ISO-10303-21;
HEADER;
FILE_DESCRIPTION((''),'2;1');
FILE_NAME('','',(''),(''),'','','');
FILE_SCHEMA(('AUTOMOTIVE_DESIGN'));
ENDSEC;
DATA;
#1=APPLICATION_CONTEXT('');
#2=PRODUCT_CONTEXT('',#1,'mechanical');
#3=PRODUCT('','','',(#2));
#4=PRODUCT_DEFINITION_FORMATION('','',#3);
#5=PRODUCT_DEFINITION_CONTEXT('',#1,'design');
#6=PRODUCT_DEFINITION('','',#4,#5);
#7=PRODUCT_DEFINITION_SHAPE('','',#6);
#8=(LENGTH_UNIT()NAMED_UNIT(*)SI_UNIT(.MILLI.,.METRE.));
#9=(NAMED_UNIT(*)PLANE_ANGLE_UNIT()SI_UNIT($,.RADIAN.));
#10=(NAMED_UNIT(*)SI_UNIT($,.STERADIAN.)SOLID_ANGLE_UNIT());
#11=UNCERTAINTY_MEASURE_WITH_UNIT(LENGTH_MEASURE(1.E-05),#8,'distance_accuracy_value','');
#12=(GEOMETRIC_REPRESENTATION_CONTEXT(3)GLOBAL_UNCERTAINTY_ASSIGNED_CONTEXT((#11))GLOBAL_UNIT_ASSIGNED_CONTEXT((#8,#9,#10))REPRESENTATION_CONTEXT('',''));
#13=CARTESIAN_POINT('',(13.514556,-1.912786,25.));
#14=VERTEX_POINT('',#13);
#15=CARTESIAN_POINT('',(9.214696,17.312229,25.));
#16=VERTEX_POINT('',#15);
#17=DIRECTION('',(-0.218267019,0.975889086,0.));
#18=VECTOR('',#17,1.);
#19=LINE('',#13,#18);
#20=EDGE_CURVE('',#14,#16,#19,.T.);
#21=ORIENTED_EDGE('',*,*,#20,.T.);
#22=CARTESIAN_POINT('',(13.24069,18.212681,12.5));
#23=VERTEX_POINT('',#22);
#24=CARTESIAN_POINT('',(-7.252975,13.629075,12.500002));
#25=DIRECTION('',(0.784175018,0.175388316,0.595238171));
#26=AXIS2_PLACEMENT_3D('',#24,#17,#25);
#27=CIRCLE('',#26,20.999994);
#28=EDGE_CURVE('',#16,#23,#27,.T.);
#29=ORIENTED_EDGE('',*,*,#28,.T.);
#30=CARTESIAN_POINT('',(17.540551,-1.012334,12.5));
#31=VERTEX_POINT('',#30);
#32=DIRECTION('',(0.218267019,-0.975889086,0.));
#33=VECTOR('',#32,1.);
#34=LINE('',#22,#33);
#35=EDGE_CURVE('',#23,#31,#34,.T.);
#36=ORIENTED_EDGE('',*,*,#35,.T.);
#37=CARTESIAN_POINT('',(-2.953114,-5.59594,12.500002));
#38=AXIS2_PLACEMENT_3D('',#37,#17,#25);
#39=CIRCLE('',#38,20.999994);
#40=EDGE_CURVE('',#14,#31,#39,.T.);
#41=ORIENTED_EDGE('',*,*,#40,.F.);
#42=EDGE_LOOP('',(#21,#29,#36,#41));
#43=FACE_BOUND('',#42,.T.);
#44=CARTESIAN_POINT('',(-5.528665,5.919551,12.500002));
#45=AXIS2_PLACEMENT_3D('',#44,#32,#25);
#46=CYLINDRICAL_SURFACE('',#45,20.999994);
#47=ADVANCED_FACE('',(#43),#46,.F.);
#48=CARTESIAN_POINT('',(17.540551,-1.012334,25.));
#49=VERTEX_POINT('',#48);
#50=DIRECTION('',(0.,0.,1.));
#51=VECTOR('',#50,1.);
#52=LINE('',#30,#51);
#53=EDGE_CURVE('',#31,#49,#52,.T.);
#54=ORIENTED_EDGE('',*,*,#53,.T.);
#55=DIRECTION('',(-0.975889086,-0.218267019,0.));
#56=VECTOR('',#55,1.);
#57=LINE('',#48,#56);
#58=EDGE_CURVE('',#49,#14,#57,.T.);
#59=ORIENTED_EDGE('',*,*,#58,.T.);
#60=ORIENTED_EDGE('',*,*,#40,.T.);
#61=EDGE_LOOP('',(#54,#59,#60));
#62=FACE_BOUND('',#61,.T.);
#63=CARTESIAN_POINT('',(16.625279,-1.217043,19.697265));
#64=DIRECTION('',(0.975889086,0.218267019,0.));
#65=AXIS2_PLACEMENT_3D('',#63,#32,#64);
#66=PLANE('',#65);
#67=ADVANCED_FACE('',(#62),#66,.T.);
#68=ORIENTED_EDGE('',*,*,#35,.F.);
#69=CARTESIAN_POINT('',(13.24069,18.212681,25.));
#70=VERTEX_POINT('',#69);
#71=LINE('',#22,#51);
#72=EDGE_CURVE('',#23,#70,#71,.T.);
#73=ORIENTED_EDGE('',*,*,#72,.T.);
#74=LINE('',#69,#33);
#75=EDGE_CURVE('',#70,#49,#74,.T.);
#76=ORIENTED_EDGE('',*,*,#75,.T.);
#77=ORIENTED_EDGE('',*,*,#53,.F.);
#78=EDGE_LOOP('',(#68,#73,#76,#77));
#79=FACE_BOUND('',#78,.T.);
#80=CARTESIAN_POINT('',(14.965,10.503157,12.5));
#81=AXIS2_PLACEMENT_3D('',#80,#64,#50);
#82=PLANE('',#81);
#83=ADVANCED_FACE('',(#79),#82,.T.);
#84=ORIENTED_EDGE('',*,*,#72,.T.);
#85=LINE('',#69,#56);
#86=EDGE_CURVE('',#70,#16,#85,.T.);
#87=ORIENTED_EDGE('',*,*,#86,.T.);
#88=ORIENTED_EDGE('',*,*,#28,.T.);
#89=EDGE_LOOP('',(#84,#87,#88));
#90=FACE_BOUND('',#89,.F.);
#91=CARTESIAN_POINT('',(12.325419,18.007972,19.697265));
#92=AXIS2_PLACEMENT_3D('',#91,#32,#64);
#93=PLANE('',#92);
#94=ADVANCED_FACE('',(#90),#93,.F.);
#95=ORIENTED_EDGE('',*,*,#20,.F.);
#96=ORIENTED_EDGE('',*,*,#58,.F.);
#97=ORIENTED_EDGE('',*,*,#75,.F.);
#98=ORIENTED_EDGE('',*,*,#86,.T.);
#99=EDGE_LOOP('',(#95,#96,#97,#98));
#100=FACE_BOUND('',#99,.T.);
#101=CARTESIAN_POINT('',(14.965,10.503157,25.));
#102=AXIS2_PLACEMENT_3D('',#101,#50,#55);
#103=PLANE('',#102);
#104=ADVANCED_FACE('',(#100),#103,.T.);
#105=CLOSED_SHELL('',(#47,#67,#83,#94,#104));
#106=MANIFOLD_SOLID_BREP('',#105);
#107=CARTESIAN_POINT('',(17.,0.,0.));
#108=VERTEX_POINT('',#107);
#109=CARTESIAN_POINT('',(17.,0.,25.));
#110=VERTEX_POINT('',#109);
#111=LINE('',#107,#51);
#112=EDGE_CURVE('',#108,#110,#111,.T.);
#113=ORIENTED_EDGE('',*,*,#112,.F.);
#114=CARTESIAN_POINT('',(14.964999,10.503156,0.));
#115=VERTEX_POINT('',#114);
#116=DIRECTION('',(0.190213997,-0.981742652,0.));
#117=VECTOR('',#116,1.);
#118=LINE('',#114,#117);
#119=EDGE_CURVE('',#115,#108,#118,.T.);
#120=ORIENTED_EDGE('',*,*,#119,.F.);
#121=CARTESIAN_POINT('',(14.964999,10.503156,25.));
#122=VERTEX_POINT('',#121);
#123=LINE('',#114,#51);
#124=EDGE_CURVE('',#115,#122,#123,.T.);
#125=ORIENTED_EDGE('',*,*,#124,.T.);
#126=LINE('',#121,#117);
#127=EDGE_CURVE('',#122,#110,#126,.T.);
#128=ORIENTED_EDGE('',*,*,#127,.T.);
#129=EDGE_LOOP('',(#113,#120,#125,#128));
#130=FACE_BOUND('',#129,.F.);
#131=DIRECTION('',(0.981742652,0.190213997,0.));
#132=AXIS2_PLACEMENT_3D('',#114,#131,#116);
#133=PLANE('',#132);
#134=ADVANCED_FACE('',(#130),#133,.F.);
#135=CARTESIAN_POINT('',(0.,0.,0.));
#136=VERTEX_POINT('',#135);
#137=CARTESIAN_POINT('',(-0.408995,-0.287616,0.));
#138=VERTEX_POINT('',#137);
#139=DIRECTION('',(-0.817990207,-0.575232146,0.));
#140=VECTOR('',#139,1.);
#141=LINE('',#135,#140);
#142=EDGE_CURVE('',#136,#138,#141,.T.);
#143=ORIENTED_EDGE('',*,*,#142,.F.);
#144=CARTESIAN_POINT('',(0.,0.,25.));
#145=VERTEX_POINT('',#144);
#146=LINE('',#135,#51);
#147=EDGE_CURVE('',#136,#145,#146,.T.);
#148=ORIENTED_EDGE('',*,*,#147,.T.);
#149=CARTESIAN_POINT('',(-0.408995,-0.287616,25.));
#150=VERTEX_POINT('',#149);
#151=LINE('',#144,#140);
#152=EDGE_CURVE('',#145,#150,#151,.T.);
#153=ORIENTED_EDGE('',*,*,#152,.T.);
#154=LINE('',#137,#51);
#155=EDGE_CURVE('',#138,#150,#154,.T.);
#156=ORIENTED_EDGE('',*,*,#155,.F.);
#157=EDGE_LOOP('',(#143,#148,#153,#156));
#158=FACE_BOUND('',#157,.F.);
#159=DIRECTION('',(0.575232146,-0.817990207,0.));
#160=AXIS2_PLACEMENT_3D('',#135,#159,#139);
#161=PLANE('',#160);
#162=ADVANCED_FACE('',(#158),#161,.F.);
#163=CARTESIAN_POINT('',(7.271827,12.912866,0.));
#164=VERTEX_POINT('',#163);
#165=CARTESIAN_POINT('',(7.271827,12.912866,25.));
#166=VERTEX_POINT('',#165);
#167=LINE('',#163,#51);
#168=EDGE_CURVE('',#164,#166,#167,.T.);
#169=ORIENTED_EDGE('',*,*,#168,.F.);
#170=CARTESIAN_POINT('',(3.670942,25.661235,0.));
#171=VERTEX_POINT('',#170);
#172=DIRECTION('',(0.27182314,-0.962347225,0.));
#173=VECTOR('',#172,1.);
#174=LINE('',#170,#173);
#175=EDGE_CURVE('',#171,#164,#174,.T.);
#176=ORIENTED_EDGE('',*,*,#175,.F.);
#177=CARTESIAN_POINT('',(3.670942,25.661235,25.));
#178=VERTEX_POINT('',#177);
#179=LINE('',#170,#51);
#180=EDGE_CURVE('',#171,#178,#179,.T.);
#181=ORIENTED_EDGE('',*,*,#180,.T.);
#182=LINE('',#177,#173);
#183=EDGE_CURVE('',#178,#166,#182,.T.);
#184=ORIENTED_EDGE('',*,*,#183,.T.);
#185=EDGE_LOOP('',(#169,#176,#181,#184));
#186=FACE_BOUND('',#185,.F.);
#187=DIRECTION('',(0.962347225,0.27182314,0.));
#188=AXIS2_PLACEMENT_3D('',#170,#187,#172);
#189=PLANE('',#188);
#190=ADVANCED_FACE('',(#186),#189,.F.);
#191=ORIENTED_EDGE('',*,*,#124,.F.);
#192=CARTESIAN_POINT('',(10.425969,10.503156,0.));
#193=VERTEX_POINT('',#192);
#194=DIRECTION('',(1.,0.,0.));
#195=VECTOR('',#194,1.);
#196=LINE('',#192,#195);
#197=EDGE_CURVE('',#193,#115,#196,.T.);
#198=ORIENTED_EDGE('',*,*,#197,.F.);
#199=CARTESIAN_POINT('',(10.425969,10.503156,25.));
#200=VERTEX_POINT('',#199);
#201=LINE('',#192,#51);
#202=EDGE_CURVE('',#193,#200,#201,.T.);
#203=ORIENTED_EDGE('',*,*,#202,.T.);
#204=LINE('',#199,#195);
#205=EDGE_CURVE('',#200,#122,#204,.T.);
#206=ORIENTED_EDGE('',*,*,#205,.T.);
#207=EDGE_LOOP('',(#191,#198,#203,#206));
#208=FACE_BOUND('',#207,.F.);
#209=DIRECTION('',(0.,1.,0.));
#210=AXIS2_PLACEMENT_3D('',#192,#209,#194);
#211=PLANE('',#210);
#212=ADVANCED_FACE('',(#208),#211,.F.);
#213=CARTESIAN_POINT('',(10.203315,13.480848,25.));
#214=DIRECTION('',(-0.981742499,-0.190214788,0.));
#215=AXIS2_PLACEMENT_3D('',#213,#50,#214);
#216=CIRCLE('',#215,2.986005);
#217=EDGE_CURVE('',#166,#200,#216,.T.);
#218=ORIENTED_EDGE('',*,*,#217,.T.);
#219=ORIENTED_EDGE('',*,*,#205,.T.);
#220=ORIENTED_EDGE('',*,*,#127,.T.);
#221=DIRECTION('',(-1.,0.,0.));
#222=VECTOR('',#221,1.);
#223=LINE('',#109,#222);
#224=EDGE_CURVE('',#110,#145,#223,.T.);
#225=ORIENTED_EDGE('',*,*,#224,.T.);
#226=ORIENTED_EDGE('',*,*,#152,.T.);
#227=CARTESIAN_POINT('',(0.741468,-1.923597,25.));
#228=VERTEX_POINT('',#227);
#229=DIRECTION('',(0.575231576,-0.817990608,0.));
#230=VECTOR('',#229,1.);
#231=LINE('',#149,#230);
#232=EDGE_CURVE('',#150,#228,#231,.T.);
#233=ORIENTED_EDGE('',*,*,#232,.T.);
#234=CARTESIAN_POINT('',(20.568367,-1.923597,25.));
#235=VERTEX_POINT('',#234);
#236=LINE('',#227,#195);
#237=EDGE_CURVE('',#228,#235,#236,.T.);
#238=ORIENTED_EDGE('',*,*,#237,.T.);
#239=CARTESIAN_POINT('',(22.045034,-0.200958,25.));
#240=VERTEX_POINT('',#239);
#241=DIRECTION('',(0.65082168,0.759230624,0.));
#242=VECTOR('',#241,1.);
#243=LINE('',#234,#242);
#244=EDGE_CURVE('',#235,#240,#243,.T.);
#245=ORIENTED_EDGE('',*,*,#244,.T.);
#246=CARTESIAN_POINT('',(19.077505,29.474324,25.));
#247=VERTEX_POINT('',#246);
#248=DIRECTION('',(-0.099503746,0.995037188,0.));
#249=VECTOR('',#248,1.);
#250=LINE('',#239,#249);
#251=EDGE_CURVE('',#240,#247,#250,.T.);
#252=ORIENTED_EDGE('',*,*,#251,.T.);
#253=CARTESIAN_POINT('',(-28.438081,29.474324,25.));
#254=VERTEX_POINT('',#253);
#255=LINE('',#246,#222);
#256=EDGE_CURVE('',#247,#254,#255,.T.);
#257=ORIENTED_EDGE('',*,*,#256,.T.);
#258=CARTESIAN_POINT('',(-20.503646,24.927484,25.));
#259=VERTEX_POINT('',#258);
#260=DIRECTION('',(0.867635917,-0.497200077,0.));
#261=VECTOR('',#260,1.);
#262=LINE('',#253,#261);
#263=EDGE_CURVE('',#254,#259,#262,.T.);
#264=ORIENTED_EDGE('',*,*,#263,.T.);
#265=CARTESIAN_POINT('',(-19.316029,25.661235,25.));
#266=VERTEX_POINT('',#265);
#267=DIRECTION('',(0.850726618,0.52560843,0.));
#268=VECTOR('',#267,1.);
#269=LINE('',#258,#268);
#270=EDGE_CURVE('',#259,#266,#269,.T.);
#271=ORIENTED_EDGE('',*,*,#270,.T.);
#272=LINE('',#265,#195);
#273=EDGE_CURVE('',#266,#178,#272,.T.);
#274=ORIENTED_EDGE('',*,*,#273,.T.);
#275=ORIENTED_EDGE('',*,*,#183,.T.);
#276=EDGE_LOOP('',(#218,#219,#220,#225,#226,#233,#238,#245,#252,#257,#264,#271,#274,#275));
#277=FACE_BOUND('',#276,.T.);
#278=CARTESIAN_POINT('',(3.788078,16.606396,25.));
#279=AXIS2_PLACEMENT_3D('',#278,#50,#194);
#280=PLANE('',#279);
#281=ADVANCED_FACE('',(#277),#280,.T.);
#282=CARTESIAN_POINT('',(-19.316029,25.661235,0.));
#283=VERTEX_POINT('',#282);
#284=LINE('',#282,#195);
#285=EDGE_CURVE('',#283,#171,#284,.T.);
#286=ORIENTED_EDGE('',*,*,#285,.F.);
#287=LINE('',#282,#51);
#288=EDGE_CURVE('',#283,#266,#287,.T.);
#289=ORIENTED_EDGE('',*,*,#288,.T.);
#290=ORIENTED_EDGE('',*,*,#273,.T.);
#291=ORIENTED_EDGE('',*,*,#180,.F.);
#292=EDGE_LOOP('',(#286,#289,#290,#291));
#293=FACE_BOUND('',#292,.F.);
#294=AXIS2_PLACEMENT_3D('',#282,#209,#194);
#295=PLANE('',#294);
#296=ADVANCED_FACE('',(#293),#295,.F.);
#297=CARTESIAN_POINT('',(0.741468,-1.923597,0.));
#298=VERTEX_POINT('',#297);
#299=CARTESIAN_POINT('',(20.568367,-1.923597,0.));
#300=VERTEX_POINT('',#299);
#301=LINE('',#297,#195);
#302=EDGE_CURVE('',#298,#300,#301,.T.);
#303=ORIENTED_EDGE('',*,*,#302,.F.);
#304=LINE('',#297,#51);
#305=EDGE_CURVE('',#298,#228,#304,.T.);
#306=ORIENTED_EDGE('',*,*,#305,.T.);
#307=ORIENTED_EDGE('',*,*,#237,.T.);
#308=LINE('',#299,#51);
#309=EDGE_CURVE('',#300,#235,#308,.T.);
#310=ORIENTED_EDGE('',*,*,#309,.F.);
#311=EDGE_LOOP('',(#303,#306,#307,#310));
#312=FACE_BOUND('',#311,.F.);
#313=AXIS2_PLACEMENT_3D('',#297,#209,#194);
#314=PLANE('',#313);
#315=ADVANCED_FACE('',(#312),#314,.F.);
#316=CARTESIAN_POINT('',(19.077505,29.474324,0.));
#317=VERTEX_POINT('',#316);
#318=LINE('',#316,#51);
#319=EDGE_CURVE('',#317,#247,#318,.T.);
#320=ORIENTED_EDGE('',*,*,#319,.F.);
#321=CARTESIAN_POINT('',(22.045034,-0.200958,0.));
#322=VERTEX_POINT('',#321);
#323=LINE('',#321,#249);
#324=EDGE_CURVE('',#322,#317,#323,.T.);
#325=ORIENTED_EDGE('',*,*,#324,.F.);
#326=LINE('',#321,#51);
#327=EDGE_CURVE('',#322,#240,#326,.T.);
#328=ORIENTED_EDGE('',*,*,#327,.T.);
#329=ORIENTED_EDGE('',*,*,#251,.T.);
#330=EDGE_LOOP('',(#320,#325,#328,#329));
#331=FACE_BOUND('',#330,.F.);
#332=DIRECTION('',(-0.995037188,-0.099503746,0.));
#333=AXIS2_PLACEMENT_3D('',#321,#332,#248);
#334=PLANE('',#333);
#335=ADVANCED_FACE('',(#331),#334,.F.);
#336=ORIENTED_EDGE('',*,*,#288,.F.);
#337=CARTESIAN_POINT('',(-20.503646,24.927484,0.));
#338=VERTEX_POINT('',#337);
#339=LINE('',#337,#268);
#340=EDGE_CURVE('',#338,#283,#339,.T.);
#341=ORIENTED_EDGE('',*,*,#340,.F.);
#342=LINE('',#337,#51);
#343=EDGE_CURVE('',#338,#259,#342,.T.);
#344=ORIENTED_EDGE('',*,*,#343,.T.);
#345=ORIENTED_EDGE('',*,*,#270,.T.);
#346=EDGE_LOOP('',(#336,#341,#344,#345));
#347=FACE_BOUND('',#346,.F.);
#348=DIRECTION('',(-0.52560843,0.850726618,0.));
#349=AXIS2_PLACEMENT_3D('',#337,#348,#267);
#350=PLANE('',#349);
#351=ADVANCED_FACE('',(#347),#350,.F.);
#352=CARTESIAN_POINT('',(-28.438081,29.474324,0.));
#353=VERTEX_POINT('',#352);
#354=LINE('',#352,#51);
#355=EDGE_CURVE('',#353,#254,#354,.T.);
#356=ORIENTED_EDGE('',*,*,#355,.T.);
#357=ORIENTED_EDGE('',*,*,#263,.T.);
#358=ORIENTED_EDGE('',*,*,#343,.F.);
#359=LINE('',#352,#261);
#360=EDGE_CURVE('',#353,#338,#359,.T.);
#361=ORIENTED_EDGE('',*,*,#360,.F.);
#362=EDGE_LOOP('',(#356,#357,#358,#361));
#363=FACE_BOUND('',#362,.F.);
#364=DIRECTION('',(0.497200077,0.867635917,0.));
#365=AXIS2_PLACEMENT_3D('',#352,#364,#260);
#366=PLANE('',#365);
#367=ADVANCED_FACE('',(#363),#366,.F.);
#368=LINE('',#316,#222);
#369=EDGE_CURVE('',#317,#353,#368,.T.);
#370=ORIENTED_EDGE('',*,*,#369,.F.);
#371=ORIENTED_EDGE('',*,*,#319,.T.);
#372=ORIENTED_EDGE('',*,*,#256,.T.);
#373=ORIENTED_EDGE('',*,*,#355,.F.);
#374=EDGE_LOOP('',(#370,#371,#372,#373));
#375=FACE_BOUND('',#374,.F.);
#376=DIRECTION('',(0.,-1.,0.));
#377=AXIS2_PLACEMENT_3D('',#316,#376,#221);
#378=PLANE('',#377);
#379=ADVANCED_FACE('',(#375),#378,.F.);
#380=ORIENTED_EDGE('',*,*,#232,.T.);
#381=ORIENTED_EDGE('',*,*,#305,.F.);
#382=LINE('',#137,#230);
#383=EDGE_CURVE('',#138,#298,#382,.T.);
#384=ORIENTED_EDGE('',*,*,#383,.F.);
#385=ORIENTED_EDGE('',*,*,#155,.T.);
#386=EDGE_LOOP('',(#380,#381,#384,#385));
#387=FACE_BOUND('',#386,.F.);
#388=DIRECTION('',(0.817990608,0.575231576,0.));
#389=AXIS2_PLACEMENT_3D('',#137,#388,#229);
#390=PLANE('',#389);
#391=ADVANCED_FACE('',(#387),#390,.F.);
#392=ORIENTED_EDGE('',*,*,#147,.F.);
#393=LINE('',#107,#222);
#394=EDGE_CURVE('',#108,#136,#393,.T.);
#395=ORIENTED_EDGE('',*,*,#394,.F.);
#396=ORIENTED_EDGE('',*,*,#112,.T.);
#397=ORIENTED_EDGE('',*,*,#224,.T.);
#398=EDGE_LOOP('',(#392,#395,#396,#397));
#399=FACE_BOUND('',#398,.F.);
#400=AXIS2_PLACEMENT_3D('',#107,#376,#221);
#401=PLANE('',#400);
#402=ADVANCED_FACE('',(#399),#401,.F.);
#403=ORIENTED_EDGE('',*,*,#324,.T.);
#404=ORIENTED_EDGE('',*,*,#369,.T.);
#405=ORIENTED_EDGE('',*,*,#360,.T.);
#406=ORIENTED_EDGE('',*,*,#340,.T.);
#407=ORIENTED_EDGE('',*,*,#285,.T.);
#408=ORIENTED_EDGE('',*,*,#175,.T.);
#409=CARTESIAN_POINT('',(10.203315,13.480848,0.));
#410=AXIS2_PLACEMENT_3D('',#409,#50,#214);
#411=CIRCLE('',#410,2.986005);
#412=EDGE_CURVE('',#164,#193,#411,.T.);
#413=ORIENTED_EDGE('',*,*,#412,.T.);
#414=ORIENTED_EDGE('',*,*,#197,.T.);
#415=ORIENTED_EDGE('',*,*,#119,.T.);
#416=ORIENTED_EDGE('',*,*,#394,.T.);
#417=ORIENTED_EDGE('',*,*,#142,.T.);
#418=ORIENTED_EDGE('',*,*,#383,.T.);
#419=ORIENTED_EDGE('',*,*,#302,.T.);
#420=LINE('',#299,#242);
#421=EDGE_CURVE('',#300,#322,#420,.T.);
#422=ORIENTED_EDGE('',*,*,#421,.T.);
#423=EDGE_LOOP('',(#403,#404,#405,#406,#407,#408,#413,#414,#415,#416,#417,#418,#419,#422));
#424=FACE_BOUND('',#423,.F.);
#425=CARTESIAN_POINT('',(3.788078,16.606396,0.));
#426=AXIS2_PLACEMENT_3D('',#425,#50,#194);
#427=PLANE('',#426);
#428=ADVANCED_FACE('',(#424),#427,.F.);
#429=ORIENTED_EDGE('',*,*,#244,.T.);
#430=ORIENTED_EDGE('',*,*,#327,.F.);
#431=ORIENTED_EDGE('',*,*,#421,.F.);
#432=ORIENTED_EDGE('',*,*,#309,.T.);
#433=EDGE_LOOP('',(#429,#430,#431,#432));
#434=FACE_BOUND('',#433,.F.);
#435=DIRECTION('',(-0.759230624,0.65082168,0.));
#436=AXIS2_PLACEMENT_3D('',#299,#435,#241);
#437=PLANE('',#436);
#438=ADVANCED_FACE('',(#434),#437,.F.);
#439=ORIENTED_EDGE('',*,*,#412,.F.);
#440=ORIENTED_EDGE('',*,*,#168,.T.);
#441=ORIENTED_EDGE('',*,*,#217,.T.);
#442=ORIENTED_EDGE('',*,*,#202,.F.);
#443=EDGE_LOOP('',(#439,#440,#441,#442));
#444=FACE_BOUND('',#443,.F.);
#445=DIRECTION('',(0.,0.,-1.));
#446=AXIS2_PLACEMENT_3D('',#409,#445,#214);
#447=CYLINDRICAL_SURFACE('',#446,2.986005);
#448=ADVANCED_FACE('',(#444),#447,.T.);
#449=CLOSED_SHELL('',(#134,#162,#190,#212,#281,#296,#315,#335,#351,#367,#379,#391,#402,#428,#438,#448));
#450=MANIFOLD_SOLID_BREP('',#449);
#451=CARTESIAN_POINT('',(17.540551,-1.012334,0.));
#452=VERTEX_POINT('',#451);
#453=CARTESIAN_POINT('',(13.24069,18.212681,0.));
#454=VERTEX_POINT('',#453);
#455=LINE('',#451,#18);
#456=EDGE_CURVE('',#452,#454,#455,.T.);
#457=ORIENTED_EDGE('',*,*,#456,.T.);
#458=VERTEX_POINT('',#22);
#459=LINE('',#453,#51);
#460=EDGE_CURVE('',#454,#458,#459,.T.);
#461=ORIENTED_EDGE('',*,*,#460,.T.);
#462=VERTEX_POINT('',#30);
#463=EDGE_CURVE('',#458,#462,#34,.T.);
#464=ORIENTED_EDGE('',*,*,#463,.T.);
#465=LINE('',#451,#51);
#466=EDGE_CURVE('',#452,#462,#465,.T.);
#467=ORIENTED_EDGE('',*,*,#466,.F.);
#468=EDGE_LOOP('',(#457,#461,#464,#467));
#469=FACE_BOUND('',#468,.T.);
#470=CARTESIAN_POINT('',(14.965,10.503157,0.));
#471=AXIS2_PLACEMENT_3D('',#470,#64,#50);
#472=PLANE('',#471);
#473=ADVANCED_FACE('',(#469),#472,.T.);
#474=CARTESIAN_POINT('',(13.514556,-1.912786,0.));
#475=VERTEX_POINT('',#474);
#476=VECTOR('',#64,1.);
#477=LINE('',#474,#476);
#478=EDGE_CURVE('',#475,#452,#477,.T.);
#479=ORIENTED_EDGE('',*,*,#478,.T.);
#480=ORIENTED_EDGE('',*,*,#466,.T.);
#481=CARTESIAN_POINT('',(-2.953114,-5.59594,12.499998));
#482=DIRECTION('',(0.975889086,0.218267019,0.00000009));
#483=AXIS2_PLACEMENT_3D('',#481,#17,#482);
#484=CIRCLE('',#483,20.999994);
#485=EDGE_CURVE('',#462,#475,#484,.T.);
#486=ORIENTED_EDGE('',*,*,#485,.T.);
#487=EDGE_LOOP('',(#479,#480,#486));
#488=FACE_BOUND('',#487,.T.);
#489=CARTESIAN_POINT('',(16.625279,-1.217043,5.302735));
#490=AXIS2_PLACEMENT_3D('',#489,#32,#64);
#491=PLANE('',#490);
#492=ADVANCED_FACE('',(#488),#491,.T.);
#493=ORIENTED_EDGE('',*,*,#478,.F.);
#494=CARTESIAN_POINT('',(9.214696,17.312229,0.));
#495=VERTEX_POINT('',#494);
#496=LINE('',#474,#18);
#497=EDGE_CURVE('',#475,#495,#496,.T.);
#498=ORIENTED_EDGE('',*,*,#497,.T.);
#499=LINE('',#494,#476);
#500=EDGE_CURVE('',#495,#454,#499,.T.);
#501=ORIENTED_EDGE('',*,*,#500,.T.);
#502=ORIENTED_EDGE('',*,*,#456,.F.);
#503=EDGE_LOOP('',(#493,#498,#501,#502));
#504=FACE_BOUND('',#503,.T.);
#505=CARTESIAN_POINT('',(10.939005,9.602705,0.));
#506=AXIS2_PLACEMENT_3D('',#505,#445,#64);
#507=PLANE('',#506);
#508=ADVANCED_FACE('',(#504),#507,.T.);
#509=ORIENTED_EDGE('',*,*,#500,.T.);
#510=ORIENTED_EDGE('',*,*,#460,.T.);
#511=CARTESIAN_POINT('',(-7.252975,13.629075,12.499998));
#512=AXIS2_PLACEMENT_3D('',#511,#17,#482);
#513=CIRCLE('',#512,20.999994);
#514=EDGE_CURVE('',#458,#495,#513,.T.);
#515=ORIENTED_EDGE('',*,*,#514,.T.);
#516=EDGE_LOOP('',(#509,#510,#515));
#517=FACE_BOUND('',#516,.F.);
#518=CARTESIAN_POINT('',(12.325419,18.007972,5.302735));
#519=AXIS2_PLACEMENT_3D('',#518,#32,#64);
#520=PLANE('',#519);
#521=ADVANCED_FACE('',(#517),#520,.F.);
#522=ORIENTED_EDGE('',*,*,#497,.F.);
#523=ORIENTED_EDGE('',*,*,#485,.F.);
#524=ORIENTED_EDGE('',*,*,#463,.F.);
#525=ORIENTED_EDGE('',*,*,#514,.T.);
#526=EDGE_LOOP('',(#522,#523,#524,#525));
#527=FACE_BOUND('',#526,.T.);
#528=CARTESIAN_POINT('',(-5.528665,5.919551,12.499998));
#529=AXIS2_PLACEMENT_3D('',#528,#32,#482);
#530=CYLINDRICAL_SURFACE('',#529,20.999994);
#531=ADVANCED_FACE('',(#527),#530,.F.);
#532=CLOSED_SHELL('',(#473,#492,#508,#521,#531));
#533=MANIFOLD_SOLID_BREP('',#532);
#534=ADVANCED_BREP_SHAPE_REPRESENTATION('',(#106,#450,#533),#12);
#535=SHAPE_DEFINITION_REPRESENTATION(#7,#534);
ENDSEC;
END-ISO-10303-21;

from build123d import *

# Parameters (mm, degrees)
F1_DEPTH      = 25
F4_DEPTH      = 11.8
F4_DEPTH_BACK = 7.9


with BuildPart() as f1:
    # F0 (on Top) → F1 (new body)
    with BuildSketch(Plane.XY):
        with BuildLine():
            Line((17, 0), (0, 0))
            Line((0, 0), (-0.408995, -0.287616))
            Line((-0.408995, -0.287616), (0.741468, -1.923597))
            Line((0.741468, -1.923597), (20.568367, -1.923597))
            Line((20.568367, -1.923597), (22.045034, -0.200958))
            Line((22.045034, -0.200958), (19.077505, 29.474324))
            Line((19.077505, 29.474324), (-28.438081, 29.474324))
            Line((-28.438081, 29.474324), (-20.503646, 24.927484))
            Line((-20.503646, 24.927484), (-19.316029, 25.661235))
            Line((-19.316029, 25.661235), (-16.316029, 25.661235))
            Line((-16.316029, 25.661235), (3.670942, 25.661235))
            Line((3.670942, 25.661235), (7.271827, 12.912866))
            ThreePointArc((7.271827, 12.912866), (8.390549, 11.108064), (10.425969, 10.503156))
            Line((10.425969, 10.503156), (14.964999, 10.503156))
            Line((14.964999, 10.503156), (17, 0))
        make_face()
    extrude(amount=F1_DEPTH)


with BuildPart() as f4:
    # F3 (on face) → F4 (new body, two sides)
    with BuildSketch(Plane(origin=(-1.524278, 6.815171, 0), x_dir=(0.975889, 0.218267, 0), z_dir=(0.218267, -0.975889, 0))) as f4_sk:
        with BuildLine():
            Line((16.896672, 0), (16.896672, 12.5))
            ThreePointArc((16.896672, 12.5), (15.838654, 5.918407), (12.771209, 0))
            Line((12.771209, 0), (16.896672, 0))
        make_face()
        with BuildLine():
            Line((16.896672, 12.5), (16.896672, 25))
            Line((16.896672, 25), (12.771209, 25))
            ThreePointArc((12.771209, 25), (15.838654, 19.081593), (16.896672, 12.5))
        make_face()
    extrude(amount=F4_DEPTH)
    extrude(f4_sk.sketch, amount=-F4_DEPTH_BACK)


solid = Compound([f1.part, f4.part])
